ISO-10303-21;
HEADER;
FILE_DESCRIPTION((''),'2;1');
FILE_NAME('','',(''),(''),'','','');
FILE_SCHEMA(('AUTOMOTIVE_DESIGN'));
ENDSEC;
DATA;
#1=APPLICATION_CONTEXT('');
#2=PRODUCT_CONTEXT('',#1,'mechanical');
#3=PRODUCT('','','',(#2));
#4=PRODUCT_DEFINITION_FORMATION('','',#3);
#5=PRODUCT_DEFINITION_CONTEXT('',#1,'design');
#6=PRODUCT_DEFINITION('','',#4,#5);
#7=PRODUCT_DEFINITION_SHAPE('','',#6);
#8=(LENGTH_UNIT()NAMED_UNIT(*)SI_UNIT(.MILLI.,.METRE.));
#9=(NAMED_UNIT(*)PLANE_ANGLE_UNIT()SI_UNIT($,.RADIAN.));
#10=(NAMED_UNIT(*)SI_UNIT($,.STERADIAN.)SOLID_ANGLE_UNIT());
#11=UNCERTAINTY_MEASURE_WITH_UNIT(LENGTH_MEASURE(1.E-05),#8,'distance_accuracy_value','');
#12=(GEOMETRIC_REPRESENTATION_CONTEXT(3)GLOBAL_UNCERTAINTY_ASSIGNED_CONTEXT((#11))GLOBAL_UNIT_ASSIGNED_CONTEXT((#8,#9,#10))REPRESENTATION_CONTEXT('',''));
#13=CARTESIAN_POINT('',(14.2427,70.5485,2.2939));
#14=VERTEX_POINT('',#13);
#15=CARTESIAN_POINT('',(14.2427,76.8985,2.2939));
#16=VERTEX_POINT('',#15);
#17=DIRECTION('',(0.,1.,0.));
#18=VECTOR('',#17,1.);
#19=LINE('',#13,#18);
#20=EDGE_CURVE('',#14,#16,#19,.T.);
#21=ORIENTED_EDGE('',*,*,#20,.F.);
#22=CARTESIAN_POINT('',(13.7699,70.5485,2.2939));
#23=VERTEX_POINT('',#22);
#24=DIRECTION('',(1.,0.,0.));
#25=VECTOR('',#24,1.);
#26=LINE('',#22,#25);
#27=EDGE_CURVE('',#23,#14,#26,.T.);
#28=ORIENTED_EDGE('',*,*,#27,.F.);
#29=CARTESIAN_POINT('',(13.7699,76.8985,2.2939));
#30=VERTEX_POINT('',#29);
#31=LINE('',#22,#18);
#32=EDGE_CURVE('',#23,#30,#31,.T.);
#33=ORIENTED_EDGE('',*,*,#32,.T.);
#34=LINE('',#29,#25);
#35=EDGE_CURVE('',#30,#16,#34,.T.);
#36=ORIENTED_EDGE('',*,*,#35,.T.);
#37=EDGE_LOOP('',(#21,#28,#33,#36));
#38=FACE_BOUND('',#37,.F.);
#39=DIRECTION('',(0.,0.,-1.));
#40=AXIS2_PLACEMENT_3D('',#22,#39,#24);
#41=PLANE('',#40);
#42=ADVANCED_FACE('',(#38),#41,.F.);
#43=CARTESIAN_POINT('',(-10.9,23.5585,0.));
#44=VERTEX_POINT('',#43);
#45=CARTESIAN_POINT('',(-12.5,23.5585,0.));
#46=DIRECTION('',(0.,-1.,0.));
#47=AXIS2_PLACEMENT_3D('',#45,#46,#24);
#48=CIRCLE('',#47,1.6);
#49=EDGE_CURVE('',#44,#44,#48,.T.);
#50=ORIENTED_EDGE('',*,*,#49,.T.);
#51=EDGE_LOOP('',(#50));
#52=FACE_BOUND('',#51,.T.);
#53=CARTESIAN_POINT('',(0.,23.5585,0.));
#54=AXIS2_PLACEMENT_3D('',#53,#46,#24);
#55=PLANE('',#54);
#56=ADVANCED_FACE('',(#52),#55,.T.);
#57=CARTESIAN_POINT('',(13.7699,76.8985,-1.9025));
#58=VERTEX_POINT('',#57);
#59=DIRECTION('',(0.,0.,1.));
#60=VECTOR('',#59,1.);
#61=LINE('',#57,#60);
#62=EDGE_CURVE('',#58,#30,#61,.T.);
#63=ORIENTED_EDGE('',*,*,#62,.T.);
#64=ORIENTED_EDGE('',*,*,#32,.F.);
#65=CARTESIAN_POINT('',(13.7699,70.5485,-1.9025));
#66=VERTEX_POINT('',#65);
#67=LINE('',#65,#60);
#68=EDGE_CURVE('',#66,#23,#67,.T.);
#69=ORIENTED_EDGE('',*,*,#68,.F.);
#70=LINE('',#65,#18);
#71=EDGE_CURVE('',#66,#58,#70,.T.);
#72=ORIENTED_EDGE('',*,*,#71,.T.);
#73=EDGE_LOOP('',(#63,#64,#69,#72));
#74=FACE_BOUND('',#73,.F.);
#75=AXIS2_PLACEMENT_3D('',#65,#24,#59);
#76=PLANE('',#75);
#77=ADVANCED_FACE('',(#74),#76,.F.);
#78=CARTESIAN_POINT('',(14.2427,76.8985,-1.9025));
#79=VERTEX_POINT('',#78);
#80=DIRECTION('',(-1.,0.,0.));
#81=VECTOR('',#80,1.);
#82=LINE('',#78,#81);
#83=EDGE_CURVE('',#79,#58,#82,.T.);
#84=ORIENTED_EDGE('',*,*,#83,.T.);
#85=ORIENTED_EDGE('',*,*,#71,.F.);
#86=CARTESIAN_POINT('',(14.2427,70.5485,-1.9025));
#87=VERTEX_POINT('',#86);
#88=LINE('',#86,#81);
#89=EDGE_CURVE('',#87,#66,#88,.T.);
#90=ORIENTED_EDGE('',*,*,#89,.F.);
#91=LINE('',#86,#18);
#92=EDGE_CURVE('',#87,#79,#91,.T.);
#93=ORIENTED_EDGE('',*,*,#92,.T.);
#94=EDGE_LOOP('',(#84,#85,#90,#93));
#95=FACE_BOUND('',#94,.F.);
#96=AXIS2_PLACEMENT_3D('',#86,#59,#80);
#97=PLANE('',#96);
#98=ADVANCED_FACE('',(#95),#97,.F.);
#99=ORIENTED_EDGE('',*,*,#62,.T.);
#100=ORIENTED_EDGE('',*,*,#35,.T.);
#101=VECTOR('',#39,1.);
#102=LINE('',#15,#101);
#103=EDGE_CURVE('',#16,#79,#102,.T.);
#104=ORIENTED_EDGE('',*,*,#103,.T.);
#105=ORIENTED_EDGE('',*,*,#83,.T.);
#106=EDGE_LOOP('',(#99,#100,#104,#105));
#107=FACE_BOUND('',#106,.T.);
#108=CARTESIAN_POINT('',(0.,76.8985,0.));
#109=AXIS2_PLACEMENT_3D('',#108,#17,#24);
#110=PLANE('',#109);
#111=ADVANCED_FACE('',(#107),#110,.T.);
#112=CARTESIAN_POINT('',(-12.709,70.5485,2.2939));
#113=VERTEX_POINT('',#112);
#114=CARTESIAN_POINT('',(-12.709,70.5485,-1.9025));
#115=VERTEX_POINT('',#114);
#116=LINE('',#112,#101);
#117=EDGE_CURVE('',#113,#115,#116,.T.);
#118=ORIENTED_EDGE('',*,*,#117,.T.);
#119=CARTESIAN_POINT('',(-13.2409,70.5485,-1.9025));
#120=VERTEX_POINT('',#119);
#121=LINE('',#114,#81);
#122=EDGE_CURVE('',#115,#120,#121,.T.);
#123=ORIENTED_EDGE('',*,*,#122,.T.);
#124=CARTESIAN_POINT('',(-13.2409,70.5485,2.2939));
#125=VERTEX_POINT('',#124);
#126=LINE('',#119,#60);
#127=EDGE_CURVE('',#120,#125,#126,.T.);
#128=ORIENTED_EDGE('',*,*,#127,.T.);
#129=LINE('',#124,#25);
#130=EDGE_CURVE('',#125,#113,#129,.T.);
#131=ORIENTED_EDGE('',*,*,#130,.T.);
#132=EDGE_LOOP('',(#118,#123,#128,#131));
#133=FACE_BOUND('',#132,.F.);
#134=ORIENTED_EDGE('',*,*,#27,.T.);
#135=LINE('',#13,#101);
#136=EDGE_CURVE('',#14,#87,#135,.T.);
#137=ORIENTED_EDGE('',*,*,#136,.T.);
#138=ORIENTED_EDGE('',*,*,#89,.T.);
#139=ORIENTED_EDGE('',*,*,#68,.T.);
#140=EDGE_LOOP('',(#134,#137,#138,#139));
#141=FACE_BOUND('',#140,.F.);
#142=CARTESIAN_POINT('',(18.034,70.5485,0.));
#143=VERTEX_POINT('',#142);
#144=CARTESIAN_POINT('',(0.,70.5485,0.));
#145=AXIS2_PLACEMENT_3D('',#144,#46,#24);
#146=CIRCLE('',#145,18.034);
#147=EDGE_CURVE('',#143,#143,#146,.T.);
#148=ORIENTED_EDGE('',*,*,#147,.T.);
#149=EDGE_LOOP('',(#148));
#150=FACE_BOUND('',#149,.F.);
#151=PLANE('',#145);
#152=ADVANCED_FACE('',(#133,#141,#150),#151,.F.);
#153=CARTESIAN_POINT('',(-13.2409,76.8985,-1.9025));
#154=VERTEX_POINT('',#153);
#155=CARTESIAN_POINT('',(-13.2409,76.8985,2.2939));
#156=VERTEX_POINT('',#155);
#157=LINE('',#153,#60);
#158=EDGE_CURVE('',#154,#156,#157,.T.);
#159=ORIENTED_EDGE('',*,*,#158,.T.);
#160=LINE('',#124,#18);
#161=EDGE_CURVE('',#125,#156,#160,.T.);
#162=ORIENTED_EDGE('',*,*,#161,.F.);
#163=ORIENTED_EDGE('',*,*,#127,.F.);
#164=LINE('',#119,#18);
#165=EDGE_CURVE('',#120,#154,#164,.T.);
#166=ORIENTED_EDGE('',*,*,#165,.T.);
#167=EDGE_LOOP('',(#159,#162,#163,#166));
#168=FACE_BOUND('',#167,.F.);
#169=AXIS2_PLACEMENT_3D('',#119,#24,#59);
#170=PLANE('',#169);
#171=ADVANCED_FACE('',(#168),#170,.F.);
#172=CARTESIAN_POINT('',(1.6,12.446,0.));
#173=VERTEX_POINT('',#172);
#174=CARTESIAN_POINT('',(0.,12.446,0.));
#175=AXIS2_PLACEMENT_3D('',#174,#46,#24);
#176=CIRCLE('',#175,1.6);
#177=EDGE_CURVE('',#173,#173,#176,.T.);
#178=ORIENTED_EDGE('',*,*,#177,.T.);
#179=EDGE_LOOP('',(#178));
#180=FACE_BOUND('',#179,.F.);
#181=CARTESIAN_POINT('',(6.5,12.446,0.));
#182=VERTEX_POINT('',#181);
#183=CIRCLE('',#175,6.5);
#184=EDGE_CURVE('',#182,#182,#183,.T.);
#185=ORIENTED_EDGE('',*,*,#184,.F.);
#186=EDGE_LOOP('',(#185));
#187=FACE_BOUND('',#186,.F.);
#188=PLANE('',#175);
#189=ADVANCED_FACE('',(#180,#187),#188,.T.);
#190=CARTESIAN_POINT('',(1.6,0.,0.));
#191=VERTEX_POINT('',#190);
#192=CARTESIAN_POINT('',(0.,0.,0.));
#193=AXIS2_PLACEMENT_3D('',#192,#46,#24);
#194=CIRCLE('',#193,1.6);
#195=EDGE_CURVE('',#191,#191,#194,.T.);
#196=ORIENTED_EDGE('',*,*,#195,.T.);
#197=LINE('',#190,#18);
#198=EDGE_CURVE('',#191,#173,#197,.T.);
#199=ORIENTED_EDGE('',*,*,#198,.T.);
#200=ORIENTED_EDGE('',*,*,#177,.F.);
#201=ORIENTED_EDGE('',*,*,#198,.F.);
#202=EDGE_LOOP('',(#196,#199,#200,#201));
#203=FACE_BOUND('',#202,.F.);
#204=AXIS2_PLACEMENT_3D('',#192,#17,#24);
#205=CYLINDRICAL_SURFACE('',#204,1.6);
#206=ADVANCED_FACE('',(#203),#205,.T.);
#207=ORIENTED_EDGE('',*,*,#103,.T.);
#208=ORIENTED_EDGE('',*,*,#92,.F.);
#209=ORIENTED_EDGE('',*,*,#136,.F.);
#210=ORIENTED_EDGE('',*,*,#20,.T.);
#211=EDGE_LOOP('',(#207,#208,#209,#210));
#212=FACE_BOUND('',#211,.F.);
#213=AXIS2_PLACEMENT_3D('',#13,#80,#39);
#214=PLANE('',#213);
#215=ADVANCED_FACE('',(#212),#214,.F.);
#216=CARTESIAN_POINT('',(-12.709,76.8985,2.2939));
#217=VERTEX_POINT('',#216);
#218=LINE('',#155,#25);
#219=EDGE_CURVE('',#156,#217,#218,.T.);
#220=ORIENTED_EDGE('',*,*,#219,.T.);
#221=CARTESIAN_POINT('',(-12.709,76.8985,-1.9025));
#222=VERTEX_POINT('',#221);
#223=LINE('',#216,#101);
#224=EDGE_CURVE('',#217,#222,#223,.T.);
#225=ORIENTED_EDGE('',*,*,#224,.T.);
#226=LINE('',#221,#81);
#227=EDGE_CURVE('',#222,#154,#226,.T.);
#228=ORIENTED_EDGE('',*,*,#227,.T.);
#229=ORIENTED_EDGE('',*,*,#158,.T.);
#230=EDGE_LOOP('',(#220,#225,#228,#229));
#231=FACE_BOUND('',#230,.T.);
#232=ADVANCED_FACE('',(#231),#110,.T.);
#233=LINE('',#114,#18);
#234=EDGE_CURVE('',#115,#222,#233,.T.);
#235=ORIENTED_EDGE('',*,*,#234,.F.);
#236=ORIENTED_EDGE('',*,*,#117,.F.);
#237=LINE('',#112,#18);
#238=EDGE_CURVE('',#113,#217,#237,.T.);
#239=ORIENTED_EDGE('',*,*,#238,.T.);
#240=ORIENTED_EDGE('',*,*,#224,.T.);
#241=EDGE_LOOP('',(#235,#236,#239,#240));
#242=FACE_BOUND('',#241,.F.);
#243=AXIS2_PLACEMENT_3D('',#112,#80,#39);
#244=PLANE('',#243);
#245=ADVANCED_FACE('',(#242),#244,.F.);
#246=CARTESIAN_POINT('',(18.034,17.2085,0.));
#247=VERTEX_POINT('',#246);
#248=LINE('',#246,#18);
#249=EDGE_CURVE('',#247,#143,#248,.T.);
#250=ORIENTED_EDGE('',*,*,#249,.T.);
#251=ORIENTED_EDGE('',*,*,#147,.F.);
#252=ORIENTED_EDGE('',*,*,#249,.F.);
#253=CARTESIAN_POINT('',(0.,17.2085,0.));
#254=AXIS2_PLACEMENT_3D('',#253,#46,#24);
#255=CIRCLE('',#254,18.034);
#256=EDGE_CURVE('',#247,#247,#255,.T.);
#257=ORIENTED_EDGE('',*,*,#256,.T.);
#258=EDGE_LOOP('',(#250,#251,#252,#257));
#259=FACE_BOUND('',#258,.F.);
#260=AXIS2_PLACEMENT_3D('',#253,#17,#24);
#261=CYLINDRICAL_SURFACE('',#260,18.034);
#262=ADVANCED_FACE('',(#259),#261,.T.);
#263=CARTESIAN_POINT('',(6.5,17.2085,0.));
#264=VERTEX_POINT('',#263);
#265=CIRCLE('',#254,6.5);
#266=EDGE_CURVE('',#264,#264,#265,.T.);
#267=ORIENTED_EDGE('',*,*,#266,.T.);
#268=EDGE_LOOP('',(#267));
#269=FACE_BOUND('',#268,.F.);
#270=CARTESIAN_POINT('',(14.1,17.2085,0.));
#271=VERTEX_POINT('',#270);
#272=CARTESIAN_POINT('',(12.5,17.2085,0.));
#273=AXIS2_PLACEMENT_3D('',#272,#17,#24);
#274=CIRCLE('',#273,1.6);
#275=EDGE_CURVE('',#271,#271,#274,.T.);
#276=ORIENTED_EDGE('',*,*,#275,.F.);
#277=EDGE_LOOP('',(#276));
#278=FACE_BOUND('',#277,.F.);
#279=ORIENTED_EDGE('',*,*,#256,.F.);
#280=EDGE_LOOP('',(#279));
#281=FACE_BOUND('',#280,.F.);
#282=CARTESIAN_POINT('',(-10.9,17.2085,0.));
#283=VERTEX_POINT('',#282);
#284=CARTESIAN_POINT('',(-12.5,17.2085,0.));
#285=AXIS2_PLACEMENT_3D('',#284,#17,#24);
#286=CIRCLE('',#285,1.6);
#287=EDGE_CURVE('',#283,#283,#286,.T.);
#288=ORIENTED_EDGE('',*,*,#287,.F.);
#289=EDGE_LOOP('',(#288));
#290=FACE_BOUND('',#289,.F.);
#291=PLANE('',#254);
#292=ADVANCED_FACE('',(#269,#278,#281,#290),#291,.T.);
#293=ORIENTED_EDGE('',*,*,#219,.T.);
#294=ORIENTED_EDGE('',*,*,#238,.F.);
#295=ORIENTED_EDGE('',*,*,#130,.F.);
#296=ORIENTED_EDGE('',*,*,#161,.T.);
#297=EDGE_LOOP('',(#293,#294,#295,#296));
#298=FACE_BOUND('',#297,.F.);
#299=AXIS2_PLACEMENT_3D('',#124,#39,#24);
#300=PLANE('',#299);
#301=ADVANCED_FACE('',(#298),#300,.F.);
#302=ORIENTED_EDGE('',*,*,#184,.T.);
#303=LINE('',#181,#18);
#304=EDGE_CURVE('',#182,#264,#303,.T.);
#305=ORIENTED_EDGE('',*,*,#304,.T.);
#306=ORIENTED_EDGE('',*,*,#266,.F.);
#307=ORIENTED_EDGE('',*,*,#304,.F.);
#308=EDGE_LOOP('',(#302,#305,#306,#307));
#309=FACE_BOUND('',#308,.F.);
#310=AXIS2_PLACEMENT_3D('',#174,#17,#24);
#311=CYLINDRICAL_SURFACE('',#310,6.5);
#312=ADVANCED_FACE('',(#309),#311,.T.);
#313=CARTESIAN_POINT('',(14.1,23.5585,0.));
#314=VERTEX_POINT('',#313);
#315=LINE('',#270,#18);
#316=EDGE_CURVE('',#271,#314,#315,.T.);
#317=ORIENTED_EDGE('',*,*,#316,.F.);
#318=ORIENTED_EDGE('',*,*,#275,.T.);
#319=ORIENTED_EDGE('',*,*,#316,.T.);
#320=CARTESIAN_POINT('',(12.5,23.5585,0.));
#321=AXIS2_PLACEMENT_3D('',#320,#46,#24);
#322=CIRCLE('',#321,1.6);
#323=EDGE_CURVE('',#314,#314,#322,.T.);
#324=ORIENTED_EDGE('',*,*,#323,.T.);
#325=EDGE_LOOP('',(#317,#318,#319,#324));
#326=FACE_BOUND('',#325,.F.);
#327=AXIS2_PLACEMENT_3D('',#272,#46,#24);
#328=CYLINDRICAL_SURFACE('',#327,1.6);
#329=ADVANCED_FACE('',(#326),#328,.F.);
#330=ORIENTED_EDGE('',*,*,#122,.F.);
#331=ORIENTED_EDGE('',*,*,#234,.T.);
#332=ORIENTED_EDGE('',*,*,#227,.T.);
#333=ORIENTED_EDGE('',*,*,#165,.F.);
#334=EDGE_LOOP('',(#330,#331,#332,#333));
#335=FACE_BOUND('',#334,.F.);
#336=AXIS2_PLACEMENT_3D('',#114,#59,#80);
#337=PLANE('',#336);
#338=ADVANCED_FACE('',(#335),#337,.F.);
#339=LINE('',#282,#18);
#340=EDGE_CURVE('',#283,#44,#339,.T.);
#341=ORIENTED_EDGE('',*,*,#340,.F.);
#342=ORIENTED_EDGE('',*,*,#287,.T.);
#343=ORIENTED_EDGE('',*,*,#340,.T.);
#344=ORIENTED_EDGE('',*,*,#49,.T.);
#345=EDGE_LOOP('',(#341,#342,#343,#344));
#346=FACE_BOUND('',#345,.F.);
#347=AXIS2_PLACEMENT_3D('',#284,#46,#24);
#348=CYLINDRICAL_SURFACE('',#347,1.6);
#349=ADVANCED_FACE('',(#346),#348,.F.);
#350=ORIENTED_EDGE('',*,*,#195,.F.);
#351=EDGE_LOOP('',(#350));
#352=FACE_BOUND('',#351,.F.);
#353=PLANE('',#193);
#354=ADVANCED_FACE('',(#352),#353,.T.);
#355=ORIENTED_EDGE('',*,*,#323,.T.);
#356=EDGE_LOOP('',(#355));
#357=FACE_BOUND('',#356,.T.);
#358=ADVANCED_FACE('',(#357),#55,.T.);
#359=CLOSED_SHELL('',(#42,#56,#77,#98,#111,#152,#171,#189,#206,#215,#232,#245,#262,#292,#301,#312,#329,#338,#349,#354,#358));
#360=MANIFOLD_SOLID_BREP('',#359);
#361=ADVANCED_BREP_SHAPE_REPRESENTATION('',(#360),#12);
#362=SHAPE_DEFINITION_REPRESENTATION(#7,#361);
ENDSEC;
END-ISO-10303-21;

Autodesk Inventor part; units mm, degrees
ref_plane "YZ Plane" through (0, 0, 0) normal (1, 0, 0) x (0, 1, 0)
ref_plane "XZ Plane" through (0, 0, 0) normal (0, 1, 0) x (-1, 0, 0)
ref_plane "XY Plane" through (0, 0, 0) normal (0, 0, 1) x (1, 0, 0)
sketch "Sketch1" plane through (0, 0, 0) normal (0, 0, 1) x (1, 0, 0)
  line L0 (0, 0) -> (1.6, 0)
  line L1 (1.6, 0) -> (1.6, 12.446)
  line L2 (0, 17.2085) -> (18.034, 17.2085)
  line L3 (0, 12.446) -> (6.5, 12.446)
  line L4 (6.5, 12.446) -> (6.5, 17.2085)
  line L5 (18.034, 17.2085) -> (18.034, 70.5485)
  line L6 (18.034, 70.5485) -> (0, 70.5485)
  line L7 (0, 70.5485) -> (0, 0)
  dimension "d0" = 1.6
  dimension "d1" = 12.446
  dimension "d2" = 18.034
  dimension "d3" = 6.5
  dimension "d4" = 4.7625
  dimension "d5" = 53.34
revolve "Revolution1" add sketch "Sketch1" angle 360 about axis through (0, 70.5485, 0) along (0, -1, 0)
sketch "Sketch2" plane through (0, 17.2085, 0) normal (0, -1, 0) x (1, 0, 0)
  circle A0 centre (0, 0) radius 12.5
  circle A1 centre (-12.5, 0) radius 1.6
  circle A2 centre (12.5, 0) radius 1.6
  point P0 (0, 0)
  dimension "d7" = 25
  dimension "d8" = 3.2
  dimension "d9" = 3.2
extrude "Extrusion1" cut sketch "Sketch2" against normal blind 6.35 contours A0 A2 | A0 A2 | A1 A0 | A0 A1
sketch "Sketch3" plane through (0, 70.5485, 0) normal (0, 1, 0) x (1, 0, 0)
  line L0 (14.2427, 1.9025) -> (13.7699, 1.9025)
  line L1 (13.7699, 1.9025) -> (13.7699, -2.2939)
  line L2 (13.7699, -2.2939) -> (14.2427, -2.2939)
  line L3 (14.2427, -2.2939) -> (14.2427, 1.9025)
  line L4 (-12.709, 1.9025) -> (-13.2409, 1.9025)
  line L5 (-13.2409, 1.9025) -> (-13.2409, -2.2939)
  line L6 (-13.2409, -2.2939) -> (-12.709, -2.2939)
  line L7 (-12.709, -2.2939) -> (-12.709, 1.9025)
  point P0 (0, 0)
extrude "Extrusion2" add sketch "Sketch3" along normal blind 6.35
properties part number "540DCMotor"
